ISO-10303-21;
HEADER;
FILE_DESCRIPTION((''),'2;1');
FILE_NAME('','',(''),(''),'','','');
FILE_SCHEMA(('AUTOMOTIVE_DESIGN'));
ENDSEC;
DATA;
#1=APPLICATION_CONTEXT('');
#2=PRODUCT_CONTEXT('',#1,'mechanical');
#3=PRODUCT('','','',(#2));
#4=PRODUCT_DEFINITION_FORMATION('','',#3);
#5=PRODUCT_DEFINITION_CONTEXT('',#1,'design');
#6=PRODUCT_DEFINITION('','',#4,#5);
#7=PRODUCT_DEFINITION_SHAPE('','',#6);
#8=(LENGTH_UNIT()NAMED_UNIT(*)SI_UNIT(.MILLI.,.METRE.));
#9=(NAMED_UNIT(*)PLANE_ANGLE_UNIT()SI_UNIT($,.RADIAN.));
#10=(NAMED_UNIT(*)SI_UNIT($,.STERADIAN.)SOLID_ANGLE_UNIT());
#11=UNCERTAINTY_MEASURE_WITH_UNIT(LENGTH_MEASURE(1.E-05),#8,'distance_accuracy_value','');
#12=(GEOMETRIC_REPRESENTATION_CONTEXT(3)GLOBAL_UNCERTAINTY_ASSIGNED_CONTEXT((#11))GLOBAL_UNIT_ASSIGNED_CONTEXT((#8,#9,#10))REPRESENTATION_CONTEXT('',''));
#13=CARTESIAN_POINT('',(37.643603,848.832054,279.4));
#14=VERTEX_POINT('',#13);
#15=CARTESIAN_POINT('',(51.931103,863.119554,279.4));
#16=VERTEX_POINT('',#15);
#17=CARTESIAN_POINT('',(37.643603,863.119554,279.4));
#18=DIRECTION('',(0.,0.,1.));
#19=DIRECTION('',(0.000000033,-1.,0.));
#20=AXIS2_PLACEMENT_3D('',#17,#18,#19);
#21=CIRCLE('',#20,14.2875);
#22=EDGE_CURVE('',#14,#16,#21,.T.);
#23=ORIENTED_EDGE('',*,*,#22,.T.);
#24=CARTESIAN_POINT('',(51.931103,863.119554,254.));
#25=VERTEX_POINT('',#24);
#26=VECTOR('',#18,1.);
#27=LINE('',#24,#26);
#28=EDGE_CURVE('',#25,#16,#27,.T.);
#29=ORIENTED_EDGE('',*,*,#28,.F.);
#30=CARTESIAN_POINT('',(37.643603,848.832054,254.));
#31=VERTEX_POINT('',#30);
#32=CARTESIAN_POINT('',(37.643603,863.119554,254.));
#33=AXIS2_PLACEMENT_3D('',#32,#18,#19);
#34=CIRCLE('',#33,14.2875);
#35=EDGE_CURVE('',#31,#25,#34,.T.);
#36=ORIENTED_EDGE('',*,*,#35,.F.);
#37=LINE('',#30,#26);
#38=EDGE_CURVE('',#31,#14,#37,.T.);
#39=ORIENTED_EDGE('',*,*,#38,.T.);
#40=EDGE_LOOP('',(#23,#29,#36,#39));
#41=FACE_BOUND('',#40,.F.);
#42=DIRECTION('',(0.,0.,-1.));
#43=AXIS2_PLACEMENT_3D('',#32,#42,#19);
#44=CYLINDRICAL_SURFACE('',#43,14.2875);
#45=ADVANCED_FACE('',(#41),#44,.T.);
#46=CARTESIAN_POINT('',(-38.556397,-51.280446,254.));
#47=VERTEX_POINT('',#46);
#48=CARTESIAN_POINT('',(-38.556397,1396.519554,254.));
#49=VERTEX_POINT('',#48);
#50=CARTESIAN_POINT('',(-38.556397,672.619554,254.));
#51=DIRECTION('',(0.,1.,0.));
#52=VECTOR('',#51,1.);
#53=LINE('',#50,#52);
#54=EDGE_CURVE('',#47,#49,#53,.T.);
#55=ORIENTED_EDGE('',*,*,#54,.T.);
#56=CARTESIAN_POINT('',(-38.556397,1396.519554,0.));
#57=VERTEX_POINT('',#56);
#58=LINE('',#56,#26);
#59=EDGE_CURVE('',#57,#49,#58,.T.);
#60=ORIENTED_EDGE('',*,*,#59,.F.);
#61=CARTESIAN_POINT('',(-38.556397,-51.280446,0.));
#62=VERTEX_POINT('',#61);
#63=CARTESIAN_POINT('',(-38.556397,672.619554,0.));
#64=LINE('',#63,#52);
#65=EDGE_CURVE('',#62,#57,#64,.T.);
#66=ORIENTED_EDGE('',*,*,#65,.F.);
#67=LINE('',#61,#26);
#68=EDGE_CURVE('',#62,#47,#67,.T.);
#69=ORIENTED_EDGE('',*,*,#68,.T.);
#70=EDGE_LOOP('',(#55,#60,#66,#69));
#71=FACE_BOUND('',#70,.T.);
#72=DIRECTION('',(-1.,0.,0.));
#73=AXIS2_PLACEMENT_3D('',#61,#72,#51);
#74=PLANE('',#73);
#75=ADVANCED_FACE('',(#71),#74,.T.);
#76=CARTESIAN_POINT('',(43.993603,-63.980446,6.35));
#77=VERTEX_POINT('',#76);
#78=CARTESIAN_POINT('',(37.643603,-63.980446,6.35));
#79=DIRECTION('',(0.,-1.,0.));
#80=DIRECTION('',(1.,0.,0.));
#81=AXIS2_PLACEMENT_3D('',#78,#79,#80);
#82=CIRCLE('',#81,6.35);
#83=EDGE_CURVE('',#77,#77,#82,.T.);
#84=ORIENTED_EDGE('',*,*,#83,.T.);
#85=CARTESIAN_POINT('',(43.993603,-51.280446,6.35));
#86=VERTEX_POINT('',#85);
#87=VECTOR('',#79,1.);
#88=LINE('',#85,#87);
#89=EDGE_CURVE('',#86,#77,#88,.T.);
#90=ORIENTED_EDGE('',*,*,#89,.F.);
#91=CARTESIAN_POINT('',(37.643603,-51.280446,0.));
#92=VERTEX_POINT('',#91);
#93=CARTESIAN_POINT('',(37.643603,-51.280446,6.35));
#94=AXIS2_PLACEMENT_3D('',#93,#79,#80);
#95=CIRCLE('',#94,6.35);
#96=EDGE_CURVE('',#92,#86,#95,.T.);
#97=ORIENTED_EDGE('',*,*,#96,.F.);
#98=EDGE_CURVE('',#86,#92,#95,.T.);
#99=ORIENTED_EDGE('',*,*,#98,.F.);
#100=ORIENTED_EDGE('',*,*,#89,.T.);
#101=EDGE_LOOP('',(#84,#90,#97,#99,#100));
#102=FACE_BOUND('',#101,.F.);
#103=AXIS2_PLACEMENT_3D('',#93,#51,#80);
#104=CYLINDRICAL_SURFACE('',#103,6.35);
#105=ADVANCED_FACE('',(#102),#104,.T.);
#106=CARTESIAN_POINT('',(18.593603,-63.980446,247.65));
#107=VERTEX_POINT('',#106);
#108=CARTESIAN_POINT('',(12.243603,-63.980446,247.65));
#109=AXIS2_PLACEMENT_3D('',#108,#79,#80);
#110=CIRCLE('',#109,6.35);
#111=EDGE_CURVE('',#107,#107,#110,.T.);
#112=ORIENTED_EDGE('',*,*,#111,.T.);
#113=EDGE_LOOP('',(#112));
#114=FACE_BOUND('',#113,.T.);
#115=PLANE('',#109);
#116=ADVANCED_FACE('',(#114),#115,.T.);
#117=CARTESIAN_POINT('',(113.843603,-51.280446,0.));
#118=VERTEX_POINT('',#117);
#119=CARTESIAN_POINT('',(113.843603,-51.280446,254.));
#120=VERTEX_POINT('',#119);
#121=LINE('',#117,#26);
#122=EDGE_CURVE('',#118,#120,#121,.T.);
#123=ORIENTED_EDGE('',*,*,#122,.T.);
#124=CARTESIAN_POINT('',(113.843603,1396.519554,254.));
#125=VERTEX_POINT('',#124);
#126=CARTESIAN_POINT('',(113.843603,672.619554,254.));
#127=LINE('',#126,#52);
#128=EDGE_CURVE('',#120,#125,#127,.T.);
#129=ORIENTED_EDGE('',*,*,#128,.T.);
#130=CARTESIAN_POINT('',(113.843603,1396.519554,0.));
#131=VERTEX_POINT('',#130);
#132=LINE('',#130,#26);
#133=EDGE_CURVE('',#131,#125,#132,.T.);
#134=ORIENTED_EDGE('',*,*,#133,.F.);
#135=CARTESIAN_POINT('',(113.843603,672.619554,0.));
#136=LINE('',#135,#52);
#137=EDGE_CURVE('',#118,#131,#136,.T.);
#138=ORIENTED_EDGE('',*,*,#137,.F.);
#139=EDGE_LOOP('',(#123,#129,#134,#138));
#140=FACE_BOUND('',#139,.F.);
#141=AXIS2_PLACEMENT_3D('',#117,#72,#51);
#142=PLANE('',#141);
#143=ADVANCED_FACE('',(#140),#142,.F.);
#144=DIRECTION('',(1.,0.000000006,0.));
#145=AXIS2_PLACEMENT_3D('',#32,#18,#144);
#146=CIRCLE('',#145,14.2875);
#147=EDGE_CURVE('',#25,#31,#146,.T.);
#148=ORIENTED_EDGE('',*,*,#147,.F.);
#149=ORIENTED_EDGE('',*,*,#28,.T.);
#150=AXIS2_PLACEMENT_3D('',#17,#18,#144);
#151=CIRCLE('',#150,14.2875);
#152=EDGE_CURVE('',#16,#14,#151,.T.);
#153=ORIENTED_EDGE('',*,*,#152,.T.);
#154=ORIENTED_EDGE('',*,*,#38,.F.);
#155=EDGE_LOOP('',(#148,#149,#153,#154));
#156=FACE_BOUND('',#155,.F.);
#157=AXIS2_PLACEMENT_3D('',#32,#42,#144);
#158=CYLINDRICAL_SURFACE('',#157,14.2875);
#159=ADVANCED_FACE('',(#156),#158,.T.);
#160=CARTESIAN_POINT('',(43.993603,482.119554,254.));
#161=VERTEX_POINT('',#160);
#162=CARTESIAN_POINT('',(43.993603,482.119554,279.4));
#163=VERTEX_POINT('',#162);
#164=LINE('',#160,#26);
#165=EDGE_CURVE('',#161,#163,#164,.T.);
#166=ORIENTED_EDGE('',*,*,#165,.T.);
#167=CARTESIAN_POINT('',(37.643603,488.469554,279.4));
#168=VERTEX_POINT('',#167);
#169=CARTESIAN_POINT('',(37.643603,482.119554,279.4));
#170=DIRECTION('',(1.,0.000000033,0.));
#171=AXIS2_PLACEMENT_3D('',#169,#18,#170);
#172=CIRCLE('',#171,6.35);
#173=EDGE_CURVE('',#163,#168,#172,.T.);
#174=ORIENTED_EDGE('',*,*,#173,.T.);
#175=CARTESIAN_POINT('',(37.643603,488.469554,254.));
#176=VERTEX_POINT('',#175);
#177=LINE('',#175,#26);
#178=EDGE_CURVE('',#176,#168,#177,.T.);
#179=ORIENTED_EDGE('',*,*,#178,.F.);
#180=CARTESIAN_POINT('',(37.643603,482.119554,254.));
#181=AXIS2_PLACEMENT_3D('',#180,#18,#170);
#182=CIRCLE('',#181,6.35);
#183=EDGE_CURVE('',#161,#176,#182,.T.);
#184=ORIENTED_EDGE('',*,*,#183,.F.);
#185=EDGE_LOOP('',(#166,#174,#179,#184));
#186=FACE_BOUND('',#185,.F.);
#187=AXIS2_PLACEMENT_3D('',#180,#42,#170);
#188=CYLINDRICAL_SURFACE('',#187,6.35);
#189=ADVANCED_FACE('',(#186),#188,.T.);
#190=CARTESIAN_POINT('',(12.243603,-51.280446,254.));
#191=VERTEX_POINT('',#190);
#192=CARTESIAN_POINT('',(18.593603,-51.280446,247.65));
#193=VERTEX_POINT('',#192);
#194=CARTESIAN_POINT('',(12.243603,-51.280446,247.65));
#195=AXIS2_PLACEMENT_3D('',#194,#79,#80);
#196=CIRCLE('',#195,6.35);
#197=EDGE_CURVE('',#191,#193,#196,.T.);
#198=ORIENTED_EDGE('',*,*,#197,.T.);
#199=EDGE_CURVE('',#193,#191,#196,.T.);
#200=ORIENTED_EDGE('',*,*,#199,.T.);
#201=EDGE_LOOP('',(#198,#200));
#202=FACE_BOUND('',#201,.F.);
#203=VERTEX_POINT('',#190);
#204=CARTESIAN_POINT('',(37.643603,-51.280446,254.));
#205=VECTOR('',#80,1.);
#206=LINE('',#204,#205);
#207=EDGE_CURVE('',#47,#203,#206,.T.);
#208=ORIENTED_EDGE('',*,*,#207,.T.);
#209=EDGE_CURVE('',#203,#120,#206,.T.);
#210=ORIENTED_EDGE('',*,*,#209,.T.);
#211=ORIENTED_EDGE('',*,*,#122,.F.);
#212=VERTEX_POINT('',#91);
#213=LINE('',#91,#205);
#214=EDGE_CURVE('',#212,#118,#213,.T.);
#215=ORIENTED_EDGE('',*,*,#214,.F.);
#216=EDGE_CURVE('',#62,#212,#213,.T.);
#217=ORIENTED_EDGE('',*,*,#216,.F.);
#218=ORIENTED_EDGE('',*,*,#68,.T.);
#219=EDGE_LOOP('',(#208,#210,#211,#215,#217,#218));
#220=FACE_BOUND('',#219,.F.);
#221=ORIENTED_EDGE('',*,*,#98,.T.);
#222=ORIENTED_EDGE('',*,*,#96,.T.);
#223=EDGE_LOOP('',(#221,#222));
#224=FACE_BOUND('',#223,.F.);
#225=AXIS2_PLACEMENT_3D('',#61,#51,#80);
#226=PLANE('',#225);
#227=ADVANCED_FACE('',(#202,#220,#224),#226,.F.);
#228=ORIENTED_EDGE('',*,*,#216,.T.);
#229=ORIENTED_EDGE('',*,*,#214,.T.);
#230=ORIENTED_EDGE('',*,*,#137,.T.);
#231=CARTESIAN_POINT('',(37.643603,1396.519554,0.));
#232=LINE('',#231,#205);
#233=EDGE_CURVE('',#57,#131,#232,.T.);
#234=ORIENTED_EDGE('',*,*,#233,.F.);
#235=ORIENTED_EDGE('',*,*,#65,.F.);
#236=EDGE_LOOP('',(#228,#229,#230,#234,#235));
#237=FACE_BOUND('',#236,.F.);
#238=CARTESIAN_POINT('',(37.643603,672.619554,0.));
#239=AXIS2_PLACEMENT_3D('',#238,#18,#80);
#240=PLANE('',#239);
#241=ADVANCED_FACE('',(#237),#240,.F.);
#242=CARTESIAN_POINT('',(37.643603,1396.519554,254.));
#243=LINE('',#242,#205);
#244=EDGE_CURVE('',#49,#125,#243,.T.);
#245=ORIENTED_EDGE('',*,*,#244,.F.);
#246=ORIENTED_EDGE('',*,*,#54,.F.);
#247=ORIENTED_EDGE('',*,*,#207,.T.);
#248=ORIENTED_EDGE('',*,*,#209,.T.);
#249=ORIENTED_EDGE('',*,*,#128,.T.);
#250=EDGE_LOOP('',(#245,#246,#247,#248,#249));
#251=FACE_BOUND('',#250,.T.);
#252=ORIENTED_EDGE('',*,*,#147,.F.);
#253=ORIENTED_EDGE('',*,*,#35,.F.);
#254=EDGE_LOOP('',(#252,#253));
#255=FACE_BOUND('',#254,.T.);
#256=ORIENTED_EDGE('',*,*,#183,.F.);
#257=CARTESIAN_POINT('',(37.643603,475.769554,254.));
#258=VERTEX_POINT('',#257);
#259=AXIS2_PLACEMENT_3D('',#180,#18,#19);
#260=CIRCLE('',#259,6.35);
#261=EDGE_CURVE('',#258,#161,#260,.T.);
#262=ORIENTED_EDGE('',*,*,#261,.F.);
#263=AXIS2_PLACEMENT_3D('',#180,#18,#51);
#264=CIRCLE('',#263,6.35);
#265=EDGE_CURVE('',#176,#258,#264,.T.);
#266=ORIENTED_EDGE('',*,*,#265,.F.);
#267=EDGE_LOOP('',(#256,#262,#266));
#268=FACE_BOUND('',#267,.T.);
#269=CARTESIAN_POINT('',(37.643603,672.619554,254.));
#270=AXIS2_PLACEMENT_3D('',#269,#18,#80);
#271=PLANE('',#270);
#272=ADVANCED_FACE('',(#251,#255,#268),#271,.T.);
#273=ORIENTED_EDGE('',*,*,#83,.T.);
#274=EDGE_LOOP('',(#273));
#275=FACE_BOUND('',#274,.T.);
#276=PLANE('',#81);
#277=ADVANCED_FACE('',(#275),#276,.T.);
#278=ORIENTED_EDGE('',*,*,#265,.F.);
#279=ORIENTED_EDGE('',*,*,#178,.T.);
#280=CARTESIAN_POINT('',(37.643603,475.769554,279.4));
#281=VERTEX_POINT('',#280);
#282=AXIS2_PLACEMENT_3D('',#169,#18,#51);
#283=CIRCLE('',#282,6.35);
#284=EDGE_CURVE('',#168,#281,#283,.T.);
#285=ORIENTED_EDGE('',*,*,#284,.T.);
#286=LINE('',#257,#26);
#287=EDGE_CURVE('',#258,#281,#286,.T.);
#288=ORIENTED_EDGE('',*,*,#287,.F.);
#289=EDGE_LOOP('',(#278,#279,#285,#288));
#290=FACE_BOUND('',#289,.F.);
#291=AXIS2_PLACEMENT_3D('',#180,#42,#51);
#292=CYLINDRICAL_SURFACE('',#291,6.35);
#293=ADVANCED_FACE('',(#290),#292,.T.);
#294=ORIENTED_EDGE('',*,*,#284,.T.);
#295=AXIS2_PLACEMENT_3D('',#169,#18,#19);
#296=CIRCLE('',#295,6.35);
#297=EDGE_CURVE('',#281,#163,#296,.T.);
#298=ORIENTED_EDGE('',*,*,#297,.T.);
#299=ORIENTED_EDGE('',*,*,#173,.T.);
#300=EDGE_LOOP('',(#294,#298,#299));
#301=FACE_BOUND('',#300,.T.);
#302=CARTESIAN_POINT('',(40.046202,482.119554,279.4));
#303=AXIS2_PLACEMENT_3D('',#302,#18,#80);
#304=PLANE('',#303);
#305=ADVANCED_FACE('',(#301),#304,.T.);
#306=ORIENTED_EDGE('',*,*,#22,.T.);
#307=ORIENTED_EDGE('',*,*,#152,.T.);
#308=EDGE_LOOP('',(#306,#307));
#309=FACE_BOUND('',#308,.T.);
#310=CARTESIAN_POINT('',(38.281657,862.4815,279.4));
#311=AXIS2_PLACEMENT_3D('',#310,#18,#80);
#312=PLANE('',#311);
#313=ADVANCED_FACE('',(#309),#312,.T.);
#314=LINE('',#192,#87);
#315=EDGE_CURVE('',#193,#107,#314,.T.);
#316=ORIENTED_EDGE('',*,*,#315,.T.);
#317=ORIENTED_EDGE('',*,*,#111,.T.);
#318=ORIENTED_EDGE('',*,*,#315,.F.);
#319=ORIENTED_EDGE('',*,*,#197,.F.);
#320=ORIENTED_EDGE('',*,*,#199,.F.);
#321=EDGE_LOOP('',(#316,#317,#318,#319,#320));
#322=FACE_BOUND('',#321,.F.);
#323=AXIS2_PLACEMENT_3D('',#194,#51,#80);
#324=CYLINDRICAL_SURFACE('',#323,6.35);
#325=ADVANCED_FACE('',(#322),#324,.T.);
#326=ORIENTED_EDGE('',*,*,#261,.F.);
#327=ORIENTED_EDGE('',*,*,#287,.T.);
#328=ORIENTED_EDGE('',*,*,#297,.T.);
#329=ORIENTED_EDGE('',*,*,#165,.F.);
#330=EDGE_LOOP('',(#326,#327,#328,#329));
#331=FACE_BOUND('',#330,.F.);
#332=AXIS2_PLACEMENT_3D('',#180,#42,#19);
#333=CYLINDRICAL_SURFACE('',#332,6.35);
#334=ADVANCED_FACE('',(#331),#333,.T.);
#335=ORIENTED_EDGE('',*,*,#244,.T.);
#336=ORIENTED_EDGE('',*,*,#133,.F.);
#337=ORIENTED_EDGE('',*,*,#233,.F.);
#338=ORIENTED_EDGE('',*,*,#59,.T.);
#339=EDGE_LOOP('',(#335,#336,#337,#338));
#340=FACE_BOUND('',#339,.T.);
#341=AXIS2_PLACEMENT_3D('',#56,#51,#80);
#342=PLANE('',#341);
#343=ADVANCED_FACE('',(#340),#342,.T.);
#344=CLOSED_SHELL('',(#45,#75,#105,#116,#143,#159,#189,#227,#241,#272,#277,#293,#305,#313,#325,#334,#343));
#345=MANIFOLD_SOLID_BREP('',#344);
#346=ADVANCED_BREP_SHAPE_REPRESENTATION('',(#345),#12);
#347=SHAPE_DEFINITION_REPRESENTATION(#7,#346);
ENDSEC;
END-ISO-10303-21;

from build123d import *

# Parameters (mm, degrees)
F0_W     = 152.4
F0_H     = 1447.8
F1_DEPTH = 254
F3_DEPTH = 25.4
F4_R     = 6.35
F5_DEPTH = 12.7


with BuildPart() as f1:
    # F0 (on Top) → F1 (new body)
    with BuildSketch(Plane.XY):
        with Locations((37.643603, 672.619554)):
            Rectangle(F0_W, F0_H)
    extrude(amount=F1_DEPTH)

    # F2 (on face) → F3 (join)
    with BuildSketch(Plane.XY.offset(254)):
        with BuildLine():
            ThreePointArc((37.643603, 475.769554), (42.133731, 477.629426), (43.993603, 482.119554))
            ThreePointArc((43.993603, 482.119554), (42.133731, 486.609682), (37.643603, 488.469554))
            Line((37.643603, 488.469554), (37.643603, 475.769554))
        make_face()
        with BuildLine():
            ThreePointArc((51.931103, 863.119554), (27.540815, 873.222342), (37.643603, 848.832054))
            ThreePointArc((37.643603, 848.832054), (47.746391, 853.016766), (51.931103, 863.119554))
        make_face()
        with BuildLine():
            Line((37.643603, 475.769554), (37.643603, 488.469554))
            ThreePointArc((37.643603, 488.469554), (31.293603, 482.119554), (37.643603, 475.769554))
        make_face()
    extrude(amount=F3_DEPTH)

    # F4 (on face) → F5 (join)
    with BuildSketch(Plane.XZ.offset(51.280446)):
        with Locations((37.643603, 6.35)):
            Circle(F4_R)
        with BuildLine():
            ThreePointArc((5.893603, 247.65), (12.243603, 241.3), (18.593603, 247.65))
            ThreePointArc((18.593603, 247.65), (12.243603, 254), (5.893603, 247.65))
        make_face()
    extrude(amount=F5_DEPTH)


solid = f1.part
